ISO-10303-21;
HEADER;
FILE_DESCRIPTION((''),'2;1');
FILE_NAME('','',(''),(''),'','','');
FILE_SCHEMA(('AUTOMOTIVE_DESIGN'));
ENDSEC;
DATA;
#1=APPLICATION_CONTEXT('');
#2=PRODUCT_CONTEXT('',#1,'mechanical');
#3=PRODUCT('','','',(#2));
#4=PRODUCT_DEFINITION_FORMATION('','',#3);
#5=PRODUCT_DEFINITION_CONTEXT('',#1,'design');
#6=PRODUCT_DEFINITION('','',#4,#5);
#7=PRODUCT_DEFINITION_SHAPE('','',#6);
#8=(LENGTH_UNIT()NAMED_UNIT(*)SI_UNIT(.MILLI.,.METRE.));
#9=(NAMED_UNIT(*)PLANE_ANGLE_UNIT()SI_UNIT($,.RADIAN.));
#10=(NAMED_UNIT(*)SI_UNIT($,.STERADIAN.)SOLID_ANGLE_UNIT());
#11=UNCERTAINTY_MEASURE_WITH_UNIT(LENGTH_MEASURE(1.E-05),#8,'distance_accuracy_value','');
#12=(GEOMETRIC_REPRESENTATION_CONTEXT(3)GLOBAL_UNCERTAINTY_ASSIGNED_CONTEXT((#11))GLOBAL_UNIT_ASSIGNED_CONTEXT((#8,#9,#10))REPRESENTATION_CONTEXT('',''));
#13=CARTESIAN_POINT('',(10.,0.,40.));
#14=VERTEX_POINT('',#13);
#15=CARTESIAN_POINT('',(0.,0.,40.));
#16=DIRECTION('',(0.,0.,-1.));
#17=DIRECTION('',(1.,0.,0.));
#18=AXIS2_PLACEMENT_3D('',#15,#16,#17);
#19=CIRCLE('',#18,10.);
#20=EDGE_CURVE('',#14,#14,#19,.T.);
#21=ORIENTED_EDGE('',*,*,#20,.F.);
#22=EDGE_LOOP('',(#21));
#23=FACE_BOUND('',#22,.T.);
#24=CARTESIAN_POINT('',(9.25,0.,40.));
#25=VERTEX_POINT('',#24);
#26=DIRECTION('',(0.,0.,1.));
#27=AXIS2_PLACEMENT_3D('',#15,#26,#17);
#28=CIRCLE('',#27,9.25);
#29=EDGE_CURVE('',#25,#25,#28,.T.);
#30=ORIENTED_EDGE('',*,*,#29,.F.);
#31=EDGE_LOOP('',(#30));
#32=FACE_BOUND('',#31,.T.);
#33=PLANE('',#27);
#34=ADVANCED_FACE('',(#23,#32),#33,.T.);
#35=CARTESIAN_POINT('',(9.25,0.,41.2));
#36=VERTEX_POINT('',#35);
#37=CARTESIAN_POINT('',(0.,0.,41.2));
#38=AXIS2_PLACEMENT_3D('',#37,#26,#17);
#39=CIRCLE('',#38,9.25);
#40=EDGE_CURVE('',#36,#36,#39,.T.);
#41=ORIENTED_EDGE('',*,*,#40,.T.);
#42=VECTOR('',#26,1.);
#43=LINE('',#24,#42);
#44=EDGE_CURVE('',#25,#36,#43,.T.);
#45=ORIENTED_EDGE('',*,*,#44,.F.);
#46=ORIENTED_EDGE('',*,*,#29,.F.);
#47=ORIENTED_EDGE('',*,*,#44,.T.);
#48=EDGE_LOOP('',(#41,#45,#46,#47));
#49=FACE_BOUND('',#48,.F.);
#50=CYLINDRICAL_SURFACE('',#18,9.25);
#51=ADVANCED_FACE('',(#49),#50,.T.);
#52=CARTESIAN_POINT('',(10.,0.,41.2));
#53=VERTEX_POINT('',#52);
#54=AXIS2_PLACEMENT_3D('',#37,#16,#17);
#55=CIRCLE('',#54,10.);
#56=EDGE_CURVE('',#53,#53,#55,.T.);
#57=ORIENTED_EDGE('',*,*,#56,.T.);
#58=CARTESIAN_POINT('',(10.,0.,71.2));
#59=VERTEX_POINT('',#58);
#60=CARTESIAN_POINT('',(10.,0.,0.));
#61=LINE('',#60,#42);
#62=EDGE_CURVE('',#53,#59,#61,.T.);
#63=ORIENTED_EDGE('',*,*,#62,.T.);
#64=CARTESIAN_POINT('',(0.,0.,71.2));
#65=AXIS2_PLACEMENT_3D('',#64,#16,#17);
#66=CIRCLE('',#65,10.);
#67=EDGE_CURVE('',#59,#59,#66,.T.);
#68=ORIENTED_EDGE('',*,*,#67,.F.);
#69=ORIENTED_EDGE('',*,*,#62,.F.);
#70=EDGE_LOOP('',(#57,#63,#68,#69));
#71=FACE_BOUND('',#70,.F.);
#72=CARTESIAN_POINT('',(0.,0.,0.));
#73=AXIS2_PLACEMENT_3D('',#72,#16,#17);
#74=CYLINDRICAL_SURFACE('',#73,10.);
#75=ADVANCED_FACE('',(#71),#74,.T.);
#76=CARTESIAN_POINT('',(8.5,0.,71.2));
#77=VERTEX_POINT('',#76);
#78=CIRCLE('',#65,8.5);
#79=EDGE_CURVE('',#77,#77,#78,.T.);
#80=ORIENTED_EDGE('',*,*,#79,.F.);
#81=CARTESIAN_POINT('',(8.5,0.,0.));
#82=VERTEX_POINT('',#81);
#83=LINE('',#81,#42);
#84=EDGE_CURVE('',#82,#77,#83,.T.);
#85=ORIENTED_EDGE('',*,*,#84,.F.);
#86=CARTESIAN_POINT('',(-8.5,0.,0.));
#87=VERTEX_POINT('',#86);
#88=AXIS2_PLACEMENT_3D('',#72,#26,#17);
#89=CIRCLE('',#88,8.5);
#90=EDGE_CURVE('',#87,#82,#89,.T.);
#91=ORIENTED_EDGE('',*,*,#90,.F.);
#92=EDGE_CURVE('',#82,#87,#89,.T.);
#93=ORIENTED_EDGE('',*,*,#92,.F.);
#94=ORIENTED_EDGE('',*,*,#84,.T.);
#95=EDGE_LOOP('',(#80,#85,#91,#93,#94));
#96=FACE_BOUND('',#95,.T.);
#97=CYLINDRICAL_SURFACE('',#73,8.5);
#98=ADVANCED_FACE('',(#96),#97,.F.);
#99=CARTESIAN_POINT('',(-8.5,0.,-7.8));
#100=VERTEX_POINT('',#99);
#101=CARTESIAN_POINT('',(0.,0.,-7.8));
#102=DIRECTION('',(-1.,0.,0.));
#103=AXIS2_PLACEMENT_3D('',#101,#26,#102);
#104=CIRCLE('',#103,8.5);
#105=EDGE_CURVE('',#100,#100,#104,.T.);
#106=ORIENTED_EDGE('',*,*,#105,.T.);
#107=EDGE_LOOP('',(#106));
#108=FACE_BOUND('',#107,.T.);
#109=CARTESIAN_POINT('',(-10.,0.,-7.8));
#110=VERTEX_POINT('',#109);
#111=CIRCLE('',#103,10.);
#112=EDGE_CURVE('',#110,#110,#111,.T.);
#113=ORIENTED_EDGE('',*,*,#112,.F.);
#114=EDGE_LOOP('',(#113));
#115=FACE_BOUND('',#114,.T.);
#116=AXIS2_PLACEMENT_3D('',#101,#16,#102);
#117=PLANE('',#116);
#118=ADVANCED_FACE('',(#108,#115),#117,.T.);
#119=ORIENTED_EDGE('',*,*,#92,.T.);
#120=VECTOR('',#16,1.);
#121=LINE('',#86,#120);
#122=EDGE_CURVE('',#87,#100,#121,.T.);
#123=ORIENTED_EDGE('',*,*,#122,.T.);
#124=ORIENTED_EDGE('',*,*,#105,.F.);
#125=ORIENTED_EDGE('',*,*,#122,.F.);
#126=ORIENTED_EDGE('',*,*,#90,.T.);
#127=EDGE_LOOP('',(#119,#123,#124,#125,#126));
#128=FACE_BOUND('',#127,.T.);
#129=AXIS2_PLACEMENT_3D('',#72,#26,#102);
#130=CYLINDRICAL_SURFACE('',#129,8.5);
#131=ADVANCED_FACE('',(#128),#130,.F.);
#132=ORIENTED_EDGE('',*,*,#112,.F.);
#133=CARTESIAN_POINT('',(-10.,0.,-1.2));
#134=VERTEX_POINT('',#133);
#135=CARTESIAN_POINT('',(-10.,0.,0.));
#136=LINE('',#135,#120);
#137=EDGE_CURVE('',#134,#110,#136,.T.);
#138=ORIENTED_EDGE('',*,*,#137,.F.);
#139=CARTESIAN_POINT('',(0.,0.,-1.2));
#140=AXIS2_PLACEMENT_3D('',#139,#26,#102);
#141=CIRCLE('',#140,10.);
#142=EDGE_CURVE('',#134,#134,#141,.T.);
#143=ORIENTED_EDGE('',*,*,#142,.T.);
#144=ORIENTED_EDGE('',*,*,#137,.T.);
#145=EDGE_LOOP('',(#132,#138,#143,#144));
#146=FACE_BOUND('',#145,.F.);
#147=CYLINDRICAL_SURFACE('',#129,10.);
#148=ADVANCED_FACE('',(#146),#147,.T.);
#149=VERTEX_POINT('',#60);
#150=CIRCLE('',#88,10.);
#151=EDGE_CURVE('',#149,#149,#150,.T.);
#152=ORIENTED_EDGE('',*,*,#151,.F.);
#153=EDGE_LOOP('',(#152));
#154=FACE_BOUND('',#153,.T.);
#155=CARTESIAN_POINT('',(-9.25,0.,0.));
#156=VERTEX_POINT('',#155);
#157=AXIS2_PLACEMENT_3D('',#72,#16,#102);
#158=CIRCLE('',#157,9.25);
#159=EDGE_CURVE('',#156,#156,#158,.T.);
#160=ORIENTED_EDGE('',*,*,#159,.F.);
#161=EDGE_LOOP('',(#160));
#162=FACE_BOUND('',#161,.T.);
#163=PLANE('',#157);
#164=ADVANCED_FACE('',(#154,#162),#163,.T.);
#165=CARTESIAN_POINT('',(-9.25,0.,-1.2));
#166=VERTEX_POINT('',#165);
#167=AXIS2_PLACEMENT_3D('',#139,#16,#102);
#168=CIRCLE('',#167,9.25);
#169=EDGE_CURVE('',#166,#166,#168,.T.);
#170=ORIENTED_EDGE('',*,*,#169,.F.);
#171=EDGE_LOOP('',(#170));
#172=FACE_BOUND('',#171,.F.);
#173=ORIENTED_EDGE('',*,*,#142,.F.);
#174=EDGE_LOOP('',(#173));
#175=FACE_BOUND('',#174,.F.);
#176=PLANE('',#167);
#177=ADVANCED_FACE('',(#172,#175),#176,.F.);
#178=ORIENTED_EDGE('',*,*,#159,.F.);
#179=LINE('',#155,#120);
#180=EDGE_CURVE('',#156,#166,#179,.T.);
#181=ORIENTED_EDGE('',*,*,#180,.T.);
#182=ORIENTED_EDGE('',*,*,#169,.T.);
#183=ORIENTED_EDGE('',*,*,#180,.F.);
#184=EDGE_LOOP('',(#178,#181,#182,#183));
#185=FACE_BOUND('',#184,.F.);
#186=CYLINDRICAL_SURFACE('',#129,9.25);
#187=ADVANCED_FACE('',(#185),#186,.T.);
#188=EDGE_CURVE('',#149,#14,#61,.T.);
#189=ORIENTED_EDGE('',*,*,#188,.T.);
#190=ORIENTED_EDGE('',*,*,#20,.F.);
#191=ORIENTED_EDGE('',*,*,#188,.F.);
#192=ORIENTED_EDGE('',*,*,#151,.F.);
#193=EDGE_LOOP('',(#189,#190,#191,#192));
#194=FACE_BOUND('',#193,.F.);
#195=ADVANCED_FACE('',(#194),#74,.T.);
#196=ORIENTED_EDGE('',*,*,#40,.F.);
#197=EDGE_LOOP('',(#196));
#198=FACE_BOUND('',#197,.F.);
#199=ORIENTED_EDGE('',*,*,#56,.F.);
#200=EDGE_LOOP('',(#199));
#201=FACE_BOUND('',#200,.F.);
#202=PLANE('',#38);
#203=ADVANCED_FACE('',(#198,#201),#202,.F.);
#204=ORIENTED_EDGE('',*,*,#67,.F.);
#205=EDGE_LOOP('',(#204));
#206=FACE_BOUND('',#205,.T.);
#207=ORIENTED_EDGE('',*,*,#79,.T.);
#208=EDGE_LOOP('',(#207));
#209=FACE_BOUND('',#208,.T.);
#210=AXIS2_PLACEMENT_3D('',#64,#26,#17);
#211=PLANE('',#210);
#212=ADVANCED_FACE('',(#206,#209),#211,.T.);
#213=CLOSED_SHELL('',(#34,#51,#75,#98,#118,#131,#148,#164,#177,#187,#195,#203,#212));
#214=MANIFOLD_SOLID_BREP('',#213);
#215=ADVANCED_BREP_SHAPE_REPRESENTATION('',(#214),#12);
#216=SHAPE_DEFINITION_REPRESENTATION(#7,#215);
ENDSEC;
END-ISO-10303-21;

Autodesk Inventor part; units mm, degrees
ref_plane "YZ Plane" through (0, 0, 0) normal (1, 0, 0) x (0, 1, 0)
sketch "Эскиз1" plane through (0, 0, 0) normal (0, 0, 1) x (1, 0, 0)
  circle A0 centre (0, 0) radius 10
  circle A1 centre (0, 0) radius 8.5
  dimension "d1" = 20
  dimension "d2" = 17
extrude "Выдавливание1" add sketch "Эскиз1" along normal blind 74
ref_plane "РабПлоскость1" through (0, 0, 33) normal (0, 0, -1) x (-1, 0, 0)
ref_plane "РабПлоскость2" through (0, 0, 40) normal (0, 0, 1) x (1, 0, 0)
sketch "Эскиз3" plane through (0, 0, 40) normal (0, 0, 1) x (1, 0, 0)
  circle A0 centre (0, 0) radius 8.5 projected
  circle A1 centre (0, 0) radius 9.25
  circle A2 centre (0, 0) radius 11
  dimension "d9" = 18.5
  dimension "d10" = 22
extrude "Выдавливание3" cut sketch "Эскиз3" along normal blind 1.2 contours A2
ref_plane "РабПлоскость4" through (0, 0, 0) normal (0, 0, -1) x (-1, 0, 0)
ref_plane "РабПлоскость3" through (0, 0, 7) normal (0, 0, -1) x (-1, 0, 0)
sketch "Эскиз6" plane through (0, 0, 0) normal (0, 0, -1) x (-1, 0, 0)
  circle A0 centre (0, 0) radius 8.5 projected
  circle A1 centre (0, 0) radius 10 projected
extrude "Выдавливание6" add sketch "Эскиз6" along normal blind 15
sketch "Эскиз7" plane through (0, 0, 0) normal (0, 0, -1) x (-1, 0, 0)
  circle A0 centre (0, 0) radius 9.25
  circle A1 centre (0, 0) radius 11
  dimension "d25" = 18.5
  dimension "d26" = 22
extrude "Выдавливание7" cut sketch "Эскиз7" along normal blind 1.2
sketch "Эскиз8" plane through (0, 0, 74) normal (0, 0, 1) x (1, 0, 0)
  circle A0 centre (0, 0) radius 19.934
extrude "Выдавливание8" cut sketch "Эскиз8" against normal blind 2.8
sketch "Эскиз9" plane through (0, 0, -15) normal (0, 0, -1) x (-1, 0, 0)
  circle A0 centre (0, 0) radius 19.6449
  dimension "d33" = 39.2898
extrude "Выдавливание9" cut sketch "Эскиз9" against normal blind 7.2
properties part number "труба"
